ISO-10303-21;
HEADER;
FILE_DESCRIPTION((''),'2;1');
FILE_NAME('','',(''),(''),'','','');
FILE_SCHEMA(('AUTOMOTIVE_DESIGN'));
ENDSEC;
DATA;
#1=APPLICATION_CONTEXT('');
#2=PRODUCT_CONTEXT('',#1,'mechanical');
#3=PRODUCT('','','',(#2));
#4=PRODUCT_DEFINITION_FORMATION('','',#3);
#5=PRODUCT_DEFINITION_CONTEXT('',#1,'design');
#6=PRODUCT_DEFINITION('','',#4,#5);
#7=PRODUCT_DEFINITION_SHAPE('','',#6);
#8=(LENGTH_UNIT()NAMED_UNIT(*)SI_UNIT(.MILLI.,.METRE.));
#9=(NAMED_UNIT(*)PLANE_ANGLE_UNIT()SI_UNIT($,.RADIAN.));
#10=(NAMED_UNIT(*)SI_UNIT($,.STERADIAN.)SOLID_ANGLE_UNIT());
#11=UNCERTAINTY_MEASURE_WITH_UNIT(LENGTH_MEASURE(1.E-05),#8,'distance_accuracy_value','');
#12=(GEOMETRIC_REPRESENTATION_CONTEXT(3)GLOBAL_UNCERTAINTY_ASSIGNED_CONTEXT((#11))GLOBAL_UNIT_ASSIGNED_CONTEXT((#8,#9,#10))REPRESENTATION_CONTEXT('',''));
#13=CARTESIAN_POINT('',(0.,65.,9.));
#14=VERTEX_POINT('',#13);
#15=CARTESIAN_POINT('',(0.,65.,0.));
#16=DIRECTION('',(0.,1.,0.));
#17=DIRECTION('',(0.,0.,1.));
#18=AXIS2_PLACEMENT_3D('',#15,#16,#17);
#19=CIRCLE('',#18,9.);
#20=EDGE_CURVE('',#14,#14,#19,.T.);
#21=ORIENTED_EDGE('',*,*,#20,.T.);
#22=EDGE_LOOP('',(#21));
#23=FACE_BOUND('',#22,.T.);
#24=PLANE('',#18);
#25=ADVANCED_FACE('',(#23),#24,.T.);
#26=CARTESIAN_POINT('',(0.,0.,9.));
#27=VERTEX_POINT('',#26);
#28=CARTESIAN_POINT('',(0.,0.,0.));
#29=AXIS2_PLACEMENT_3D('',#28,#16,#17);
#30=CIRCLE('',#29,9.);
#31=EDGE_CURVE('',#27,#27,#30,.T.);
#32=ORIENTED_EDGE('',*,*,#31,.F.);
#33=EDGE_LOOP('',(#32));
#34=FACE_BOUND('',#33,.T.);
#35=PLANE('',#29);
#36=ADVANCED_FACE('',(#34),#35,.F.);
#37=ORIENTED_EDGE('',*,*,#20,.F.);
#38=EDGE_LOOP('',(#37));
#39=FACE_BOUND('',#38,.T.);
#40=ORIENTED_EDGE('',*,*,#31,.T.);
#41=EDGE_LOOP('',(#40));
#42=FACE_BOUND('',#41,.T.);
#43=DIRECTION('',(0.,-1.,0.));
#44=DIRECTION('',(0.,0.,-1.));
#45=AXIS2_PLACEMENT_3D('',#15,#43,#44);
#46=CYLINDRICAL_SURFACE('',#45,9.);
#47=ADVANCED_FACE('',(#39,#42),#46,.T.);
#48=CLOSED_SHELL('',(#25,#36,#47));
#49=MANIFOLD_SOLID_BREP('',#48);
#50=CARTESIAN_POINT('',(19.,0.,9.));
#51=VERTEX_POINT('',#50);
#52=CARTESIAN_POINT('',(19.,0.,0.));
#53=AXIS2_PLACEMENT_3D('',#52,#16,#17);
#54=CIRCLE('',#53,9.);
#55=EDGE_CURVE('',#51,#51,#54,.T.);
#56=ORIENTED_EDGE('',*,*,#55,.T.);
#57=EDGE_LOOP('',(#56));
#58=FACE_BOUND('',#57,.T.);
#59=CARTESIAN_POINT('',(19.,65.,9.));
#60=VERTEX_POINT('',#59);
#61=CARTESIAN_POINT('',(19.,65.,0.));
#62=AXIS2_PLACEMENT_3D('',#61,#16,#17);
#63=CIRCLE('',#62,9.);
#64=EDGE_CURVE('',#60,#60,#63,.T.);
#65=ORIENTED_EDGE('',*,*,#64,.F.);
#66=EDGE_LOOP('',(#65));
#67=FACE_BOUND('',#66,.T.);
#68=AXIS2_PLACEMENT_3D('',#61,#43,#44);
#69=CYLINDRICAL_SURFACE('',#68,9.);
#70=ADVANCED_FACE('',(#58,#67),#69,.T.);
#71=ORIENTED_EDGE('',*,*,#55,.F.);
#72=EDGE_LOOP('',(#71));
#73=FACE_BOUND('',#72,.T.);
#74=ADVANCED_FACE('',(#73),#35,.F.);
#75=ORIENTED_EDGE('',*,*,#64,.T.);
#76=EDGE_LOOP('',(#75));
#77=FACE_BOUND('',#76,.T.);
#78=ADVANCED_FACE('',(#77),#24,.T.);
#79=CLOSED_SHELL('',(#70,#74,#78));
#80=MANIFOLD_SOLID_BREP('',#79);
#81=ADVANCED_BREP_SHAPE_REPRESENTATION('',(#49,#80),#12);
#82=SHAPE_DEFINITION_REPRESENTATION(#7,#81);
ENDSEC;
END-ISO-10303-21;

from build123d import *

# Parameters (mm, degrees)
SKETCH1_R             = 9
BOSS_EXTRUDE1_DEPTH   = 65
BOSS_EXTRUDE1_2_DEPTH = 65


with BuildPart() as part:
    # Sketch1 → Boss-Extrude1 (new body)
    with BuildSketch(Plane(origin=(0, 0, 0), x_dir=(1, 0, 0), z_dir=(0, 1, 0))):
        with Locations(Location((0, 0, 0), (0, 0, 270))):
            Circle(SKETCH1_R)
    extrude(amount=BOSS_EXTRUDE1_DEPTH)


with BuildPart() as body_2:
    # Sketch1 → Boss-Extrude1 2 (new body)
    with BuildSketch(Plane(origin=(0, 0, 0), x_dir=(1, 0, 0), z_dir=(0, 1, 0))):
        with Locations(Location((19, 0, 0), (0, 0, 270))):
            Circle(SKETCH1_R)
    extrude(amount=BOSS_EXTRUDE1_2_DEPTH)


solid = Compound([part.part, body_2.part])
